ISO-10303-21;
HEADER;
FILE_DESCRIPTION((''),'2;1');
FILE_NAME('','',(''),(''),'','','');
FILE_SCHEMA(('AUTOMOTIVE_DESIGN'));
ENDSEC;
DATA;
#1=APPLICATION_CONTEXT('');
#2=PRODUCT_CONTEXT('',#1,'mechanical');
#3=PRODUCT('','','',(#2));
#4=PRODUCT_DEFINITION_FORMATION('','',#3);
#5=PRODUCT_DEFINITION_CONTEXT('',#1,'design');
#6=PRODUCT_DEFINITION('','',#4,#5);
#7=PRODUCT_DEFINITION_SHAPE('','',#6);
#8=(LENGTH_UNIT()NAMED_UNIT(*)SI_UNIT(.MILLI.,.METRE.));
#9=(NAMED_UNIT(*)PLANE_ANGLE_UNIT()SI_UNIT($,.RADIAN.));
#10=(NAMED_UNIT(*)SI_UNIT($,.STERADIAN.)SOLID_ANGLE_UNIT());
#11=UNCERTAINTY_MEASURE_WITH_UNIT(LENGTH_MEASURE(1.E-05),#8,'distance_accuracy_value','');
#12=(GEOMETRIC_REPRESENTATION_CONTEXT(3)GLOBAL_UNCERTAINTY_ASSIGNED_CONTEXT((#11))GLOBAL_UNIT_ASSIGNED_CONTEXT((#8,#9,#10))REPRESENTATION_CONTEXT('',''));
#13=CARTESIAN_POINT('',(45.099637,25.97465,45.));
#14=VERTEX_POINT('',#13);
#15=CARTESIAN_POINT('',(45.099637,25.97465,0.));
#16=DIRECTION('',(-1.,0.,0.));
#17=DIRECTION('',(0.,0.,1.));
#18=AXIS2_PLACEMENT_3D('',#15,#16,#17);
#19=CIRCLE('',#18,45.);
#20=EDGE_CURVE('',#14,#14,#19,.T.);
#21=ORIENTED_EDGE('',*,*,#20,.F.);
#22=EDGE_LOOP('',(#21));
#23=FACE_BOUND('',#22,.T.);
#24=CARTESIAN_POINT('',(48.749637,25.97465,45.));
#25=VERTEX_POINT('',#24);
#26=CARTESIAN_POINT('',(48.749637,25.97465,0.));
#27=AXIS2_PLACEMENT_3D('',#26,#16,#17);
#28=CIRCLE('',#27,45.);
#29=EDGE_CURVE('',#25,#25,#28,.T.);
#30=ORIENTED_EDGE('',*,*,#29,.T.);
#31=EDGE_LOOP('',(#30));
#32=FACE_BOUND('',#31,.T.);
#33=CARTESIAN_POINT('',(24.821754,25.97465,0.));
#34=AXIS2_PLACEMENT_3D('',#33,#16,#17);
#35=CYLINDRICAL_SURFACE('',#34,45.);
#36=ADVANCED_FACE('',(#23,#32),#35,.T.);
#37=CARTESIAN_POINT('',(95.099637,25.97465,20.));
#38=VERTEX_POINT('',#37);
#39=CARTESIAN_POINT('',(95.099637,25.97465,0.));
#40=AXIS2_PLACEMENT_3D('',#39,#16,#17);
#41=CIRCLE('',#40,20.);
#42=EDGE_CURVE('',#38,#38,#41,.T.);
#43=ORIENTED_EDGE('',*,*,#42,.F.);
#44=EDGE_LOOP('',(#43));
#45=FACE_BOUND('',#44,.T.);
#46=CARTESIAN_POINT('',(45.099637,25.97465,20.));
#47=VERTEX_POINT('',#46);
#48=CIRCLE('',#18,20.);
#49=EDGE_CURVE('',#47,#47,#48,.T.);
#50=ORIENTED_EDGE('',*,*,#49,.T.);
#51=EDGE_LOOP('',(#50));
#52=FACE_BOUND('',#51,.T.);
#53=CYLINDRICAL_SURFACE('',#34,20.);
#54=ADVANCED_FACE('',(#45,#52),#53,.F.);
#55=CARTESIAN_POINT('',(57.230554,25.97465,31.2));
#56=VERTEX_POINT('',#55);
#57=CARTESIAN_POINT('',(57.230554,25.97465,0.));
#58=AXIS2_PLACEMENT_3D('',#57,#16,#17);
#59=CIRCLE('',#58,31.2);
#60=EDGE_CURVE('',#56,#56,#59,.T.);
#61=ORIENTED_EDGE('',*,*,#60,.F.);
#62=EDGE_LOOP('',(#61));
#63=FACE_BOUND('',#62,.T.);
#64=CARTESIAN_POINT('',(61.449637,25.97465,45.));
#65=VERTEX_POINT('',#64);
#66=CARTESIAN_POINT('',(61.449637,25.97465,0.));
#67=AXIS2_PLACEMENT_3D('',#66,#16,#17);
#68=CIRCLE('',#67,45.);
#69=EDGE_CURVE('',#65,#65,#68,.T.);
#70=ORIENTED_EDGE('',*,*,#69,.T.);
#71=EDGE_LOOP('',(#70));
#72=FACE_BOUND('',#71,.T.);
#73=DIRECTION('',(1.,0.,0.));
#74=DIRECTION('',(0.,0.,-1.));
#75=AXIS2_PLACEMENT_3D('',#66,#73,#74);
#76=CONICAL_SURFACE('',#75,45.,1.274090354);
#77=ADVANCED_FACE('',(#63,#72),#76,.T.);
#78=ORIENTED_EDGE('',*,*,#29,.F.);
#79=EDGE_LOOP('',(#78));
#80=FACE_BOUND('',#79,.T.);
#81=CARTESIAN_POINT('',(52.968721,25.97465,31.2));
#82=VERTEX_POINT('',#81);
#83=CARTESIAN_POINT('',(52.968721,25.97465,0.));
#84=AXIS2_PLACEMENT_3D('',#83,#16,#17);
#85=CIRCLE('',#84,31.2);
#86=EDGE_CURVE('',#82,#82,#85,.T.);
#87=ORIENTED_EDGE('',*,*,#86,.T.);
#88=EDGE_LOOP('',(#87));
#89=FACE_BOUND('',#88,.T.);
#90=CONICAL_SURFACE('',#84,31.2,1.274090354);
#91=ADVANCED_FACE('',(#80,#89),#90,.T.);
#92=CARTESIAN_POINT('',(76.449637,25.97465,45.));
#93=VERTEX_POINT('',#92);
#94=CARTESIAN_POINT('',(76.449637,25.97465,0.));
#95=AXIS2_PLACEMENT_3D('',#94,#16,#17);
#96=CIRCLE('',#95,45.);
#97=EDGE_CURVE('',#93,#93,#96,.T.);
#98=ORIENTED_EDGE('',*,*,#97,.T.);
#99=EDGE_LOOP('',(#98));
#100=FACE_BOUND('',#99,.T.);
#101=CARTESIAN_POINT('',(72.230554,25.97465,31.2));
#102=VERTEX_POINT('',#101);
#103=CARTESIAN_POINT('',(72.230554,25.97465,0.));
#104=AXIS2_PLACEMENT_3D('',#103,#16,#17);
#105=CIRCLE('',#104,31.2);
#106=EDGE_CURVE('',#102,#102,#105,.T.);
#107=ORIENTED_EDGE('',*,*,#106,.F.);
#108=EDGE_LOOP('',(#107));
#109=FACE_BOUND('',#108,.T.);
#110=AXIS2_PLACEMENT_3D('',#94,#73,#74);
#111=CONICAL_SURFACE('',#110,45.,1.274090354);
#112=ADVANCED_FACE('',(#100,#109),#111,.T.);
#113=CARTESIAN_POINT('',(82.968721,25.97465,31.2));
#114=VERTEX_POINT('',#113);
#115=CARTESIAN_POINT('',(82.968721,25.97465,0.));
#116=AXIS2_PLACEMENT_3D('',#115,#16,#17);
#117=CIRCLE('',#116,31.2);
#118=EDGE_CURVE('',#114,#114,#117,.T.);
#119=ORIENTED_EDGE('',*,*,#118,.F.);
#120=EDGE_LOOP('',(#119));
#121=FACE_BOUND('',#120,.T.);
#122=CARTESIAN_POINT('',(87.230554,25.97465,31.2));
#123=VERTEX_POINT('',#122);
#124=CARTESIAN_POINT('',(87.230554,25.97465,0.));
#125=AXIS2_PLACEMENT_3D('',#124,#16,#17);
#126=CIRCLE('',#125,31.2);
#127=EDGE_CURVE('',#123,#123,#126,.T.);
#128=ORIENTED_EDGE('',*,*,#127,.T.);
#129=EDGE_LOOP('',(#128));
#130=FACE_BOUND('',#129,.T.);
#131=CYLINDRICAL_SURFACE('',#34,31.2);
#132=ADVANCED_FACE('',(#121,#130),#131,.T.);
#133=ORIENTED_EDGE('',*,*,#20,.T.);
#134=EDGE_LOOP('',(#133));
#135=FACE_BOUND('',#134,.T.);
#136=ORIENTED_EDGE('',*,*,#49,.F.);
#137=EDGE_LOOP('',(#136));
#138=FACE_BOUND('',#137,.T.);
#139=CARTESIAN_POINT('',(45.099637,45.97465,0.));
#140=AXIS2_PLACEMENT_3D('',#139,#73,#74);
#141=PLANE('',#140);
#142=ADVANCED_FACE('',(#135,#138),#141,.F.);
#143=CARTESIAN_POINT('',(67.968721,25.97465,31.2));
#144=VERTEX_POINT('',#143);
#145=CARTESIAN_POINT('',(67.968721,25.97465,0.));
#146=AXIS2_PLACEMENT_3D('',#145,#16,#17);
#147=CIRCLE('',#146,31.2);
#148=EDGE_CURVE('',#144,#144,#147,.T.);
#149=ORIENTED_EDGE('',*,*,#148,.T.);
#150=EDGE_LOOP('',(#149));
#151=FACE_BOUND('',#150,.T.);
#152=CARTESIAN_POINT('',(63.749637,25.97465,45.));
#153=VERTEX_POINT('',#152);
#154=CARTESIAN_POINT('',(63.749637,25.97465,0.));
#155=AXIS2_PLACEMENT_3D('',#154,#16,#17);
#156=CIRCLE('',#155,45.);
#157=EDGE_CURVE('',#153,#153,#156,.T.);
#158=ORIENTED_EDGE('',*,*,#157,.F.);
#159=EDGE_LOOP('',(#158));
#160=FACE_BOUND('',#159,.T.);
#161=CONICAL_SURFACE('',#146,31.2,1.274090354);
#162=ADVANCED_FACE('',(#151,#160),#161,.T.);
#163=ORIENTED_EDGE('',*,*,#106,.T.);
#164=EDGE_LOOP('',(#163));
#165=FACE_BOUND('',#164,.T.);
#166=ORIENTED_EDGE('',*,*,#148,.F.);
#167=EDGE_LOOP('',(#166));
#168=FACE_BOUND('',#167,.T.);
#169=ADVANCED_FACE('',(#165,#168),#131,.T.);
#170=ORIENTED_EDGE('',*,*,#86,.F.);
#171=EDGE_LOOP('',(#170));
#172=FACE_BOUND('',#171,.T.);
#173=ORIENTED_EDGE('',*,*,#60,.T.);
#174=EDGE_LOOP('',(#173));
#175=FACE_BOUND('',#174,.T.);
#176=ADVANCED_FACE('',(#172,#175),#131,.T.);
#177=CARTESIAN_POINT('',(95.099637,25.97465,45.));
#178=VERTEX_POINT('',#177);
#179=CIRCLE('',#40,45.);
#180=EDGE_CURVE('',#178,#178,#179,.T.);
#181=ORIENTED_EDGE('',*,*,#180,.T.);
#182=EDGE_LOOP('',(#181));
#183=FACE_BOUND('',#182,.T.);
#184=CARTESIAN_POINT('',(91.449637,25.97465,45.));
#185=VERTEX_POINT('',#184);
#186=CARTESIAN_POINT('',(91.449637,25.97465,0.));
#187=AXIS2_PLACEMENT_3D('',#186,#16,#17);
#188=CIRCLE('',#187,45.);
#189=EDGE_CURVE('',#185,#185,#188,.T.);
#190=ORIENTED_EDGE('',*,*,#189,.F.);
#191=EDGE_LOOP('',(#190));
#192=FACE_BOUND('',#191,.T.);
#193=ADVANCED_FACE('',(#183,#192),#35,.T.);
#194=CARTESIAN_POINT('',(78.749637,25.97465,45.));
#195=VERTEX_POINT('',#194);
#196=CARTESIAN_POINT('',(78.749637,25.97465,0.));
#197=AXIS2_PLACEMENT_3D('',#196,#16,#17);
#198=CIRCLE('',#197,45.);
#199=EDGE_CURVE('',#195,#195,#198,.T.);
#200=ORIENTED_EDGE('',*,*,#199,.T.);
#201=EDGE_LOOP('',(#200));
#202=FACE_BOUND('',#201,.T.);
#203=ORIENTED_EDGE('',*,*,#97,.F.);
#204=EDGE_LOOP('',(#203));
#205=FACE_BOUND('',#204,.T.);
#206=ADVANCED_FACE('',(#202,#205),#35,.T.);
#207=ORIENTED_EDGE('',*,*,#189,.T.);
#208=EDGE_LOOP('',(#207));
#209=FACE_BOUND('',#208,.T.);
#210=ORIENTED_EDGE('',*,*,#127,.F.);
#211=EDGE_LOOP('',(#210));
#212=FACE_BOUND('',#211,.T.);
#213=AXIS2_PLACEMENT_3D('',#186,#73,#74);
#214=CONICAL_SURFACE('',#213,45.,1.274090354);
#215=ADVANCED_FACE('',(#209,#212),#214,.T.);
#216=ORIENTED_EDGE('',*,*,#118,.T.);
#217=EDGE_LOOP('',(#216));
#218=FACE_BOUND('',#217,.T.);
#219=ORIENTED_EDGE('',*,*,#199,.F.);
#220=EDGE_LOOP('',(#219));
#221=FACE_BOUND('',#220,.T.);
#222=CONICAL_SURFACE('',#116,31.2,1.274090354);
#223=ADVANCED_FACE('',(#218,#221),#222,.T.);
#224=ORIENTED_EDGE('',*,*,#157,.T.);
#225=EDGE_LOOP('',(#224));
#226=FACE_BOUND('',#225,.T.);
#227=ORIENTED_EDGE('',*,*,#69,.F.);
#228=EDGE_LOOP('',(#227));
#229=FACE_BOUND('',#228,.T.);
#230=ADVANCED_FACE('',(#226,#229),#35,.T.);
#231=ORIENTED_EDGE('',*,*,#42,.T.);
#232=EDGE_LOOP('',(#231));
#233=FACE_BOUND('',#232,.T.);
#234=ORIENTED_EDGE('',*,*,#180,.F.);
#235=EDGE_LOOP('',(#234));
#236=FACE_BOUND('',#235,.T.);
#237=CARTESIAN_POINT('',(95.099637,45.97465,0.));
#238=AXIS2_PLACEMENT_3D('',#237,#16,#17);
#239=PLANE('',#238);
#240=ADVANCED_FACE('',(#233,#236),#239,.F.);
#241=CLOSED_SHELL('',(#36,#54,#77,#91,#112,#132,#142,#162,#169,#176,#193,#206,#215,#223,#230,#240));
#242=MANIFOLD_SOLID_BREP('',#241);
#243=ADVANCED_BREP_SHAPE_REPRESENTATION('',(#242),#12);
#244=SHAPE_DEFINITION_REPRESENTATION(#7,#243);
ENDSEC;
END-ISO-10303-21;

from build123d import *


with BuildPart() as part:
    # Skizze1 → Rotation2 (revolve)
    with BuildSketch(Plane.XY, mode=Mode.PRIVATE) as rotation2_sk:
        Polygon((45.099637471, 45.974649946), (95.099637471, 45.974649946), (95.099637471, 70.974649946), (91.449637471, 70.974649946), (87.230554067, 57.174649946), (82.968720876, 57.174649946), (78.749637471, 70.974649946), (76.449637471, 70.974649946), (72.230554067, 57.174649946), (70.099637471, 57.174649946), (67.968720876, 57.174649946), (63.749637471, 70.974649946), (61.449637471, 70.974649946), (57.230554067, 57.174649946), (52.968720876, 57.174649946), (48.749637471, 70.974649946), (45.099637471, 70.974649946), align=None)
    revolve(rotation2_sk.sketch.rotate(Axis((24.821753872, 25.974649946, 0), (1, 0, 0)), 90), axis=Axis((24.821753872, 25.974649946, 0), (1, 0, 0)))  # turned: the seam where the file's is


solid = part.part
